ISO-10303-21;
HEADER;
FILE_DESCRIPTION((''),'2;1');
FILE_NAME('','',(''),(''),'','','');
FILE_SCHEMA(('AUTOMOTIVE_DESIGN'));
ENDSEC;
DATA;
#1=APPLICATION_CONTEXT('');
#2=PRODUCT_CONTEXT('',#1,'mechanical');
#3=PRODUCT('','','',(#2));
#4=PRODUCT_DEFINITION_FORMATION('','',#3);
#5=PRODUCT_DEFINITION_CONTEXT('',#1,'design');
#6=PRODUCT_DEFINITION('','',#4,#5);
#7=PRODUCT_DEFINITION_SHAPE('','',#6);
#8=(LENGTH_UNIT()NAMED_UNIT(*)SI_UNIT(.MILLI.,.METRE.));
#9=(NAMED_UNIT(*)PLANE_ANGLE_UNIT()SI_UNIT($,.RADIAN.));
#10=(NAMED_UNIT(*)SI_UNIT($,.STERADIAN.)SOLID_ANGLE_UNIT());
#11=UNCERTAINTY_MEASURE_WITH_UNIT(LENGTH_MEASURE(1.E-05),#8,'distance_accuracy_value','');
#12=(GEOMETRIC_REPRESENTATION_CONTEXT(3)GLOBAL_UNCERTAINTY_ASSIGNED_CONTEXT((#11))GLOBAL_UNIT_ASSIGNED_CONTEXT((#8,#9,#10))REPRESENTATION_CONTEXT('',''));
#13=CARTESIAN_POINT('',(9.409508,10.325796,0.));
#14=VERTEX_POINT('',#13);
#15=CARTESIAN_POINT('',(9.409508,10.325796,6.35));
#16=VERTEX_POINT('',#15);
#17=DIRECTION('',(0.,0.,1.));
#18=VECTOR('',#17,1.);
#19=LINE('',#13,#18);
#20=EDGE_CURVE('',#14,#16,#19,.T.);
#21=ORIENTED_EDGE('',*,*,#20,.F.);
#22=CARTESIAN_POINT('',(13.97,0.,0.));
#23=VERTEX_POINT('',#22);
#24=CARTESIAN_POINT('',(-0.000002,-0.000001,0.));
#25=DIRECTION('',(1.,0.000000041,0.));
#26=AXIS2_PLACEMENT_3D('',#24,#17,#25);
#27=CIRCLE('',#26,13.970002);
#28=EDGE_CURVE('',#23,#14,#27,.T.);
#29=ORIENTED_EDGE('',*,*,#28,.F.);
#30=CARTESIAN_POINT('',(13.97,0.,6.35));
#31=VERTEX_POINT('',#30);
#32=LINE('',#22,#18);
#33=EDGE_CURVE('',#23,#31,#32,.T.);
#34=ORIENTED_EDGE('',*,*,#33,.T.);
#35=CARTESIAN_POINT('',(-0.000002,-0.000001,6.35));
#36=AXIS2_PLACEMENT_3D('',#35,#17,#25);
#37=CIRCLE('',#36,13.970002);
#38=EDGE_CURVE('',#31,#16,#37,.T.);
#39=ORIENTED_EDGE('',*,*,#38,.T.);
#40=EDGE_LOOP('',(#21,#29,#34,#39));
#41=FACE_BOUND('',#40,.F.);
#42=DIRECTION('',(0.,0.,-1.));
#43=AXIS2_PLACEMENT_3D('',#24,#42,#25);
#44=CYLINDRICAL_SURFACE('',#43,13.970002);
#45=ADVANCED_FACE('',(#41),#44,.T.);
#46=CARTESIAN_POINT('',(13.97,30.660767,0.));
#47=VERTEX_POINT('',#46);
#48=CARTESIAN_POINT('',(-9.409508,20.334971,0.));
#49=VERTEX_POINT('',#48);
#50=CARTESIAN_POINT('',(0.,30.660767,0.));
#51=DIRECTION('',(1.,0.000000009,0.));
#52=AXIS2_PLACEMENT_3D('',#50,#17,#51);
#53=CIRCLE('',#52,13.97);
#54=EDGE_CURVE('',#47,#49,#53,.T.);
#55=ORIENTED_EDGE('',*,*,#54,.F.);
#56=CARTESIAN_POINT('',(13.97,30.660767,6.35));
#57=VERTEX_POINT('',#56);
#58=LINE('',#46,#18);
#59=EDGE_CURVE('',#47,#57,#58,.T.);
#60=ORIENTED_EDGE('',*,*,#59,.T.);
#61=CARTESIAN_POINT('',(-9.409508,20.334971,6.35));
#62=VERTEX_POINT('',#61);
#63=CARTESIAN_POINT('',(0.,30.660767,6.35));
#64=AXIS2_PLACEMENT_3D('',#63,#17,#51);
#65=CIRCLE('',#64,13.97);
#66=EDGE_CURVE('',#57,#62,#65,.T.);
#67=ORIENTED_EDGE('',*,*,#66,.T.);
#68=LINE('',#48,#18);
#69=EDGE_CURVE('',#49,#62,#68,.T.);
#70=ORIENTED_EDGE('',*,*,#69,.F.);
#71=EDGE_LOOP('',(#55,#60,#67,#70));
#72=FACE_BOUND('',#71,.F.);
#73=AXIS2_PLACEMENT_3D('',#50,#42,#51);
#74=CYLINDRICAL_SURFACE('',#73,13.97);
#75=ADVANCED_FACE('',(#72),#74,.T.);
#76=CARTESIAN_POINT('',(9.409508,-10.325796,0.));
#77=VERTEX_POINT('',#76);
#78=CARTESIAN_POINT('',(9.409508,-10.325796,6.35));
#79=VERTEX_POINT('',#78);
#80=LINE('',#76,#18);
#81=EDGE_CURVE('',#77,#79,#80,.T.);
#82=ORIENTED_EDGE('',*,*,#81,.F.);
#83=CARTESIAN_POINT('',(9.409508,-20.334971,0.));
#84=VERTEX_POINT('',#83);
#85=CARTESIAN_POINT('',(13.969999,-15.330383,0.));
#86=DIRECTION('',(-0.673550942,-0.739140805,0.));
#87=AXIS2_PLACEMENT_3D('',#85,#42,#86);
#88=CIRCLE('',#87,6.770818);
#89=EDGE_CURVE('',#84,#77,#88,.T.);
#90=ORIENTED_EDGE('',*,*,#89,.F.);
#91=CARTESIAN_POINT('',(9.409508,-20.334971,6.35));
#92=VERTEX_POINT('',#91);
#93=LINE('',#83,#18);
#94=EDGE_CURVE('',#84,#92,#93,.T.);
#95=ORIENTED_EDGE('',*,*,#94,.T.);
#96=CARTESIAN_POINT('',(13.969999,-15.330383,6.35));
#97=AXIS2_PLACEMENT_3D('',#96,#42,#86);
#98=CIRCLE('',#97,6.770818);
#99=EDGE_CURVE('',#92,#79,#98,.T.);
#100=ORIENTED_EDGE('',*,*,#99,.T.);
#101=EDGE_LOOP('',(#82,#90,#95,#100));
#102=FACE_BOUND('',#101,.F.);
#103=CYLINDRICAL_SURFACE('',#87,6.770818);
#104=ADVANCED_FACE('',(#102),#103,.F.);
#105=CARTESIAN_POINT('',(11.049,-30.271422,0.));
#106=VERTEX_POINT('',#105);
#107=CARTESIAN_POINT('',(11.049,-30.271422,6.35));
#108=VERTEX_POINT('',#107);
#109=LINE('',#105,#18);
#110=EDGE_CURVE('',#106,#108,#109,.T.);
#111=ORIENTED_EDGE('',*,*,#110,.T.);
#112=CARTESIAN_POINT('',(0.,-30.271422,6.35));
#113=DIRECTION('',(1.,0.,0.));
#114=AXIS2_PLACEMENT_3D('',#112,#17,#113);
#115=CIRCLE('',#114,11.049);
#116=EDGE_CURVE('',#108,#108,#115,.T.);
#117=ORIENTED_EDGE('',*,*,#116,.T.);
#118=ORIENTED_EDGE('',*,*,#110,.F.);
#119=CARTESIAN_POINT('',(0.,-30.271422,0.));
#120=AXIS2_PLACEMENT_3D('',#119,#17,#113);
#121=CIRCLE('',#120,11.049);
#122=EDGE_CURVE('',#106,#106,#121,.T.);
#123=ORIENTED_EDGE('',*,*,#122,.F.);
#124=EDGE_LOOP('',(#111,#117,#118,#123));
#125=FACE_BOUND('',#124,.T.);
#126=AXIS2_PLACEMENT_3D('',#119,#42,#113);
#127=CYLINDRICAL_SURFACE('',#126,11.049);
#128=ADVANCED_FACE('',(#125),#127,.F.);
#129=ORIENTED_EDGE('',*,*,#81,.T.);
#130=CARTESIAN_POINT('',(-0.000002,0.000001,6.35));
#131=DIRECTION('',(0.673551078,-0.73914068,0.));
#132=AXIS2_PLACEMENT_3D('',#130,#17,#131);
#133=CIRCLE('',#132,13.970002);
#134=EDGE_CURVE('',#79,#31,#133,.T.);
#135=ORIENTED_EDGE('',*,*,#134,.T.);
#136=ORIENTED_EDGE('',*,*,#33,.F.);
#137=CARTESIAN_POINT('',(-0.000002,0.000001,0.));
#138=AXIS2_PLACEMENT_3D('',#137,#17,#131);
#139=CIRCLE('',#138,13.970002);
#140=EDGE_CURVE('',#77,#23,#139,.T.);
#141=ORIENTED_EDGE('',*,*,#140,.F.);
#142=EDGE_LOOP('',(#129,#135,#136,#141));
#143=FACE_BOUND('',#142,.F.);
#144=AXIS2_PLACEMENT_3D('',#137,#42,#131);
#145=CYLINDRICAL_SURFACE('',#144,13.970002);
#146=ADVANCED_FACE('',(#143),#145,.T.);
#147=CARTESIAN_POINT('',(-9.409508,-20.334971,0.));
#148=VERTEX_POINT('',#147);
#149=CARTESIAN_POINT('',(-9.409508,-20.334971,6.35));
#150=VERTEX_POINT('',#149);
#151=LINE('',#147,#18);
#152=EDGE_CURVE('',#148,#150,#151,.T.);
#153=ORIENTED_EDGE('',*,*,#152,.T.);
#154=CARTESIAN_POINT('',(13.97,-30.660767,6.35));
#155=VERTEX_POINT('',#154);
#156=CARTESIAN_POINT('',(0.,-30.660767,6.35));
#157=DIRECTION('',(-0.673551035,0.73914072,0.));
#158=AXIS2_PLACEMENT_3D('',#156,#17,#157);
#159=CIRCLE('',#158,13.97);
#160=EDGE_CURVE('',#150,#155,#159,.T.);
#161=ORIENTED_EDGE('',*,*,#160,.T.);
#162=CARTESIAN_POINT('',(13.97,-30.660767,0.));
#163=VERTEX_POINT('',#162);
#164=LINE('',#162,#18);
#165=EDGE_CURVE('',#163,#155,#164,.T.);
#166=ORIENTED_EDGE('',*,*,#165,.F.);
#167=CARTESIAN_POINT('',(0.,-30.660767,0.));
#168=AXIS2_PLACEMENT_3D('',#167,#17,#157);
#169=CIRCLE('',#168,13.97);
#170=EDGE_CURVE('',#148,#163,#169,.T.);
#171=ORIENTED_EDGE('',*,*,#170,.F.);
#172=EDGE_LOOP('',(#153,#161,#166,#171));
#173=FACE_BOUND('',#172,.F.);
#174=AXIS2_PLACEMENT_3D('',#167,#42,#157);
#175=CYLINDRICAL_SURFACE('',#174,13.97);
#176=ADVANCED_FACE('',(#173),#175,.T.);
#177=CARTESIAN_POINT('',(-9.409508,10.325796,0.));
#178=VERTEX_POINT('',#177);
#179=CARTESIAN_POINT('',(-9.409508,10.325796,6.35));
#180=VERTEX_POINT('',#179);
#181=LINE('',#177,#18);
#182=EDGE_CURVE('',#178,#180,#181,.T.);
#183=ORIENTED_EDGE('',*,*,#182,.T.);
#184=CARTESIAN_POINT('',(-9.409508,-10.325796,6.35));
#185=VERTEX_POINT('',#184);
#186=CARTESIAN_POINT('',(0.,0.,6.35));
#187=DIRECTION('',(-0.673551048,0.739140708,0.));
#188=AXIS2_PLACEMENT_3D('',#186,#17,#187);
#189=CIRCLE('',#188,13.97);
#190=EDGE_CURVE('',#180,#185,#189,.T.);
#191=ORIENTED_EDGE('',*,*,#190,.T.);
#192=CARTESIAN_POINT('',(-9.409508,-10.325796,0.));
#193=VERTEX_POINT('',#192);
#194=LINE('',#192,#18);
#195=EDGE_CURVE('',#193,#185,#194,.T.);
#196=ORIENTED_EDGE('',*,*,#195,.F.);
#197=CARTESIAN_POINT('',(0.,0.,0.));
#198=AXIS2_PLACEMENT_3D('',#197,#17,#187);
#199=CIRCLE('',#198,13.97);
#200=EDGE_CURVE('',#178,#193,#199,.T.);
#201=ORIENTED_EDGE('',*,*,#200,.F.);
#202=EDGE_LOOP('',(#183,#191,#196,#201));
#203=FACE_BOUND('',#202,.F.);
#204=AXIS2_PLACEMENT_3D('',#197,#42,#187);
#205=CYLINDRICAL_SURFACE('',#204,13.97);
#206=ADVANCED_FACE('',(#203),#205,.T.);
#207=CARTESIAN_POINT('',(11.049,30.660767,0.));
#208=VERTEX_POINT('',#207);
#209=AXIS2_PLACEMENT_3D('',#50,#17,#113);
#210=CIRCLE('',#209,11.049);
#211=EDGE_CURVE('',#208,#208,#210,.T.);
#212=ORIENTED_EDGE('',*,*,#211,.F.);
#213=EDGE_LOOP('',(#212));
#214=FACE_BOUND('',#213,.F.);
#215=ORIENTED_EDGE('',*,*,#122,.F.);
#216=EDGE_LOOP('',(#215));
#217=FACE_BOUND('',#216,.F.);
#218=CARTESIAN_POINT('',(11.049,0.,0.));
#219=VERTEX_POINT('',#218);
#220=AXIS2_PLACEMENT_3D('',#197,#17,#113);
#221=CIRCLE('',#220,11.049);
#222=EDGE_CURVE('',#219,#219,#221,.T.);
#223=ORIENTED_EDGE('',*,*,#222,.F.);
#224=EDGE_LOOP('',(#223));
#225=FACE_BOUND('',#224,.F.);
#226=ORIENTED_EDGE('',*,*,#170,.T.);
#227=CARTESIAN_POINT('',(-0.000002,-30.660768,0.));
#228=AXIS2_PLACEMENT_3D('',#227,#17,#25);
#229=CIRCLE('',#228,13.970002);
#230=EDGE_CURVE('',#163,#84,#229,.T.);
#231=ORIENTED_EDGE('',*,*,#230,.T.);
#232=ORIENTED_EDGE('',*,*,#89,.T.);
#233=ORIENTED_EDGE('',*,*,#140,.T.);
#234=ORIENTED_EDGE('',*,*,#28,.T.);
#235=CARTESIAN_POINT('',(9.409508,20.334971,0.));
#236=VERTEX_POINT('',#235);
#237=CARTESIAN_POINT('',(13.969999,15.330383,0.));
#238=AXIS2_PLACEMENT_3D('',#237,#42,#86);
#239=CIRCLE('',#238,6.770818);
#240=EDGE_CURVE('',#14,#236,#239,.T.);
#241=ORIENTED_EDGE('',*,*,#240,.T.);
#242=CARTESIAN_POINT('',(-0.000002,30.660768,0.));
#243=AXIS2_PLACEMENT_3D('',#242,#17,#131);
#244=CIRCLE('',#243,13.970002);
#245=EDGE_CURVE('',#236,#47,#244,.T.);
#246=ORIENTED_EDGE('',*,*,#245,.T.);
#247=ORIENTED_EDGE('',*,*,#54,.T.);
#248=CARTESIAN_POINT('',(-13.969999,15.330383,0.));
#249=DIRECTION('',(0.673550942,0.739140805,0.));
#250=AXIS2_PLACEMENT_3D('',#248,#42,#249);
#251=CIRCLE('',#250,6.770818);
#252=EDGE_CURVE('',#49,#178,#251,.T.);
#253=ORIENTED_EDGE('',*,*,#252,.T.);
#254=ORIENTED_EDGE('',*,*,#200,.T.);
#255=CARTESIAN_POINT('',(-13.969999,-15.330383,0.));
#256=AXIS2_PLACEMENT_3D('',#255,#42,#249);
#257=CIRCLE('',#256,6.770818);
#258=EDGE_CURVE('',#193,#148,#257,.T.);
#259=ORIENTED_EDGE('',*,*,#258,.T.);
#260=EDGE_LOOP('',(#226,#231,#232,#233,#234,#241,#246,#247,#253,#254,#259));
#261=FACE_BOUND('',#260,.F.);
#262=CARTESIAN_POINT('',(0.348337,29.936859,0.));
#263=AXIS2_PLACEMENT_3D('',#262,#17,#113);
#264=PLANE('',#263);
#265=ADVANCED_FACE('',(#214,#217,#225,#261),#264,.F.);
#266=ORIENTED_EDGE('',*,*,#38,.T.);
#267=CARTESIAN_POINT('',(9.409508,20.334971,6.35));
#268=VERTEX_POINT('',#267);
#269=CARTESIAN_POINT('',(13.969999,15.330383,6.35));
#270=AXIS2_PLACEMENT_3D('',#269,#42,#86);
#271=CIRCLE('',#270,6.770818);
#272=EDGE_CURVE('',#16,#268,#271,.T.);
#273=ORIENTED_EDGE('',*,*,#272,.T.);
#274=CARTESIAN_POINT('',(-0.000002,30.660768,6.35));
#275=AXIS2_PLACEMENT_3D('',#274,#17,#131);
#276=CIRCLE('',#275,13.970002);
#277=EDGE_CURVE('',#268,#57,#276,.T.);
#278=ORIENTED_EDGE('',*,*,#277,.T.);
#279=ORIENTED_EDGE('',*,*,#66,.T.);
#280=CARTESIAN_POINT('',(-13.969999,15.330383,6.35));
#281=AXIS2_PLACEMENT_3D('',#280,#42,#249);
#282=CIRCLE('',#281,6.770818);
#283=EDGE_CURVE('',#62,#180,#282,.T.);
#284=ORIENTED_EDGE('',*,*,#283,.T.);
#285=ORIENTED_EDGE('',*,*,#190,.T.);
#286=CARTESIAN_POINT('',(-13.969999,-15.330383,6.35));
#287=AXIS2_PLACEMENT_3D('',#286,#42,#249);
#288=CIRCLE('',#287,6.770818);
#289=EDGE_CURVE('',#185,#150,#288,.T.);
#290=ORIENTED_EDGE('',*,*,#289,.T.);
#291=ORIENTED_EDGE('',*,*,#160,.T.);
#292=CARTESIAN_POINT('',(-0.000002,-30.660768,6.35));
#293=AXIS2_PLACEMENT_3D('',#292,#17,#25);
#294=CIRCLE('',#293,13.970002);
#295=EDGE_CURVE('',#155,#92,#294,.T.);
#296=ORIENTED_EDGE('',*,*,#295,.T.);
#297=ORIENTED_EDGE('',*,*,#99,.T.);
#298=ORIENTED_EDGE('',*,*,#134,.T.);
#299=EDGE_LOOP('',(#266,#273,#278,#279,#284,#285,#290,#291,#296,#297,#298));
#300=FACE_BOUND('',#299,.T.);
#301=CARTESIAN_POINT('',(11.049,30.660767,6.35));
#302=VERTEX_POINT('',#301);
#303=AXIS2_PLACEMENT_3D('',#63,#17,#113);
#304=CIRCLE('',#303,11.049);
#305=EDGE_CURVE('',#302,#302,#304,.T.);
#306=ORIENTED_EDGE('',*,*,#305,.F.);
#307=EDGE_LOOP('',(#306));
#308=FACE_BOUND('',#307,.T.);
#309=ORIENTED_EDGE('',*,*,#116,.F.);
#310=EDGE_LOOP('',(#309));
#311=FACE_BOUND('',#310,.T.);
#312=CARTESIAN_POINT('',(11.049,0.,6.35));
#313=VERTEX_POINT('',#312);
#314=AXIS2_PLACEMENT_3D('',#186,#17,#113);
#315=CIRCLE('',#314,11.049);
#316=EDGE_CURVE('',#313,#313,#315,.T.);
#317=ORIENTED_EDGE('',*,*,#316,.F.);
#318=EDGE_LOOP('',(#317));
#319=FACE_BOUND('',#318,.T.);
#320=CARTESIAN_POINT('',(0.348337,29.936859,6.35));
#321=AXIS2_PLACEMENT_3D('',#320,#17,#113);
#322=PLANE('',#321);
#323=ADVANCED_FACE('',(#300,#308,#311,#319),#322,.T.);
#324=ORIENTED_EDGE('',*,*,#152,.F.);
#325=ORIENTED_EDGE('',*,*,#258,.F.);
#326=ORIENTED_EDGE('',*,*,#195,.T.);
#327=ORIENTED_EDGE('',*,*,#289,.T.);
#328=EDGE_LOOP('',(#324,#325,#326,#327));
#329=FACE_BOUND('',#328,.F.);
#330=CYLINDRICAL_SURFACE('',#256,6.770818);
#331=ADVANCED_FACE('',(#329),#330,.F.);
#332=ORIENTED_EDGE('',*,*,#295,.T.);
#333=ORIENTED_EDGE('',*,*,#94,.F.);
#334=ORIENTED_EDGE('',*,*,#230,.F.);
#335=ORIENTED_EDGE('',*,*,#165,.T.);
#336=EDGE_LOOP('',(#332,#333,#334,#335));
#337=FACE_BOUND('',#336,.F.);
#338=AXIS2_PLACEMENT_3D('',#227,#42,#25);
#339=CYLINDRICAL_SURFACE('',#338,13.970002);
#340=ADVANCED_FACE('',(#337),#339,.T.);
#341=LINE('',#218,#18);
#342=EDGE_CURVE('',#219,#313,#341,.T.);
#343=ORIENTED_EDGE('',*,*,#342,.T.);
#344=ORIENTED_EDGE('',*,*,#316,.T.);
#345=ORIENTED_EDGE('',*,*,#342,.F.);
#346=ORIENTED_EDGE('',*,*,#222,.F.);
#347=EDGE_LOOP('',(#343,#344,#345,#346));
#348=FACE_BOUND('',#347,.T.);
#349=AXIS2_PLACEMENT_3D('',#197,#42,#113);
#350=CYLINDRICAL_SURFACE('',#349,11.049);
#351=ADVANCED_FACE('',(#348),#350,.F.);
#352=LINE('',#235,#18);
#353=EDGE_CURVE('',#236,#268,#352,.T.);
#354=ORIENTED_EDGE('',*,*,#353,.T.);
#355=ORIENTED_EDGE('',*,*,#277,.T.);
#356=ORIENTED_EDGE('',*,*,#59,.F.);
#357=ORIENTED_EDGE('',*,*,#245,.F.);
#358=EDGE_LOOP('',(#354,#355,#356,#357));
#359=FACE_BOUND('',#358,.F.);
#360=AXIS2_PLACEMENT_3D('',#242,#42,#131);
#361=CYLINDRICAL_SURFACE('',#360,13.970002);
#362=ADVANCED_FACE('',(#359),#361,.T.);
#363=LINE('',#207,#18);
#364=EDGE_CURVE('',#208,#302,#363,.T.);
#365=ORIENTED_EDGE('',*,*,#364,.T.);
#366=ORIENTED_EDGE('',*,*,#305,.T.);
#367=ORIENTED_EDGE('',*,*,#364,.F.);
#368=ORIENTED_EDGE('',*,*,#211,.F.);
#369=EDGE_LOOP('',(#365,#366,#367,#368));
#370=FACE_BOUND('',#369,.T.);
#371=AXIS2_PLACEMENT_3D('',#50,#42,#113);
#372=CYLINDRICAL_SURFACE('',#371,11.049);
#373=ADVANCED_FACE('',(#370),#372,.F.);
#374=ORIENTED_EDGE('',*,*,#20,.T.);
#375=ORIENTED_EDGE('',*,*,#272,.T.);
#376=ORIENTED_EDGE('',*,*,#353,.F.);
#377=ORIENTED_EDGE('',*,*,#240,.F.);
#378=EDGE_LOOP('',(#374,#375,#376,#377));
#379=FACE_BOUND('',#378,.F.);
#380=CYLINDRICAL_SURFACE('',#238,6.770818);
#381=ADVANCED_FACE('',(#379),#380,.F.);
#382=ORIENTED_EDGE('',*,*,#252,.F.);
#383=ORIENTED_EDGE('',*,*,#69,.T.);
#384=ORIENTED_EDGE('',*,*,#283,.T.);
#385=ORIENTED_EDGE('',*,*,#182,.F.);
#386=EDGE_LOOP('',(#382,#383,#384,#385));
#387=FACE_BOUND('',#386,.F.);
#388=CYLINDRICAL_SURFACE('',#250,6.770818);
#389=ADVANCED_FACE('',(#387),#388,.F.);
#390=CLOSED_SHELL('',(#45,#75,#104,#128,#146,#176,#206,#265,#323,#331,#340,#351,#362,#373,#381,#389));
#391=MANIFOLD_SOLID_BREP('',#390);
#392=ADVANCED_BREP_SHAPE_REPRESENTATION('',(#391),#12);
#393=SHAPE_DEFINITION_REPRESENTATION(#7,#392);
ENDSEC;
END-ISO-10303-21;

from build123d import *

# Parameters (mm, degrees)
F4_R     = 11.049
F5_DEPTH = 6.35


with BuildPart() as f5:
    # F4 (on Top) → F5 (new body)
    with BuildSketch(Plane.XY):
        with BuildLine():
            ThreePointArc((9.409508, 20.334971), (12.779118, 25.01674), (13.97, 30.660767))
            ThreePointArc((13.97, 30.660767), (-5.644027, 43.439885), (-9.409508, 20.334971))
            ThreePointArc((-9.409508, 20.334971), (0, 16.690767), (9.409508, 20.334971))
        make_face()
        with Locations((0, 30.660767)):
            Circle(F4_R, mode=Mode.SUBTRACT)
        with BuildLine():
            ThreePointArc((9.409508, 20.334971), (0, 16.690767), (-9.409508, 20.334971))
            ThreePointArc((-9.409508, 20.334971), (-7.199181, 15.330384), (-9.409508, 10.325796))
            ThreePointArc((-9.409508, 10.325796), (0, 13.97), (9.409508, 10.325796))
            ThreePointArc((9.409508, 10.325796), (7.199181, 15.330384), (9.409508, 20.334971))
        make_face()
        Circle(F4_R)
        with BuildLine():
            ThreePointArc((9.409508, 10.325796), (0, 13.97), (-9.409508, 10.325796))
            ThreePointArc((-9.409508, 10.325796), (-13.97, 0), (-9.409508, -10.325796))
            ThreePointArc((-9.409508, -10.325796), (0, -13.97), (9.409508, -10.325796))
            ThreePointArc((9.409508, -10.325796), (12.779118, -5.644027), (13.97, 0))
            ThreePointArc((13.97, 0), (12.779118, 5.644027), (9.409508, 10.325796))
        make_face()
        Circle(F4_R, mode=Mode.SUBTRACT)
        with BuildLine():
            ThreePointArc((9.409508, -10.325796), (0, -13.97), (-9.409508, -10.325796))
            ThreePointArc((-9.409508, -10.325796), (-7.199181, -15.330384), (-9.409508, -20.334971))
            ThreePointArc((-9.409508, -20.334971), (0, -16.690767), (9.409508, -20.334971))
            ThreePointArc((9.409508, -20.334971), (7.199181, -15.330384), (9.409508, -10.325796))
        make_face()
        with BuildLine():
            ThreePointArc((9.409508, -20.334971), (0, -16.690767), (-9.409508, -20.334971))
            ThreePointArc((-9.409508, -20.334971), (-5.644027, -43.439885), (13.97, -30.660767))
            ThreePointArc((13.97, -30.660767), (12.779118, -25.01674), (9.409508, -20.334971))
        make_face()
        with Locations((0, -30.271422)):
            Circle(F4_R, mode=Mode.SUBTRACT)
    extrude(amount=F5_DEPTH)


solid = f5.part
